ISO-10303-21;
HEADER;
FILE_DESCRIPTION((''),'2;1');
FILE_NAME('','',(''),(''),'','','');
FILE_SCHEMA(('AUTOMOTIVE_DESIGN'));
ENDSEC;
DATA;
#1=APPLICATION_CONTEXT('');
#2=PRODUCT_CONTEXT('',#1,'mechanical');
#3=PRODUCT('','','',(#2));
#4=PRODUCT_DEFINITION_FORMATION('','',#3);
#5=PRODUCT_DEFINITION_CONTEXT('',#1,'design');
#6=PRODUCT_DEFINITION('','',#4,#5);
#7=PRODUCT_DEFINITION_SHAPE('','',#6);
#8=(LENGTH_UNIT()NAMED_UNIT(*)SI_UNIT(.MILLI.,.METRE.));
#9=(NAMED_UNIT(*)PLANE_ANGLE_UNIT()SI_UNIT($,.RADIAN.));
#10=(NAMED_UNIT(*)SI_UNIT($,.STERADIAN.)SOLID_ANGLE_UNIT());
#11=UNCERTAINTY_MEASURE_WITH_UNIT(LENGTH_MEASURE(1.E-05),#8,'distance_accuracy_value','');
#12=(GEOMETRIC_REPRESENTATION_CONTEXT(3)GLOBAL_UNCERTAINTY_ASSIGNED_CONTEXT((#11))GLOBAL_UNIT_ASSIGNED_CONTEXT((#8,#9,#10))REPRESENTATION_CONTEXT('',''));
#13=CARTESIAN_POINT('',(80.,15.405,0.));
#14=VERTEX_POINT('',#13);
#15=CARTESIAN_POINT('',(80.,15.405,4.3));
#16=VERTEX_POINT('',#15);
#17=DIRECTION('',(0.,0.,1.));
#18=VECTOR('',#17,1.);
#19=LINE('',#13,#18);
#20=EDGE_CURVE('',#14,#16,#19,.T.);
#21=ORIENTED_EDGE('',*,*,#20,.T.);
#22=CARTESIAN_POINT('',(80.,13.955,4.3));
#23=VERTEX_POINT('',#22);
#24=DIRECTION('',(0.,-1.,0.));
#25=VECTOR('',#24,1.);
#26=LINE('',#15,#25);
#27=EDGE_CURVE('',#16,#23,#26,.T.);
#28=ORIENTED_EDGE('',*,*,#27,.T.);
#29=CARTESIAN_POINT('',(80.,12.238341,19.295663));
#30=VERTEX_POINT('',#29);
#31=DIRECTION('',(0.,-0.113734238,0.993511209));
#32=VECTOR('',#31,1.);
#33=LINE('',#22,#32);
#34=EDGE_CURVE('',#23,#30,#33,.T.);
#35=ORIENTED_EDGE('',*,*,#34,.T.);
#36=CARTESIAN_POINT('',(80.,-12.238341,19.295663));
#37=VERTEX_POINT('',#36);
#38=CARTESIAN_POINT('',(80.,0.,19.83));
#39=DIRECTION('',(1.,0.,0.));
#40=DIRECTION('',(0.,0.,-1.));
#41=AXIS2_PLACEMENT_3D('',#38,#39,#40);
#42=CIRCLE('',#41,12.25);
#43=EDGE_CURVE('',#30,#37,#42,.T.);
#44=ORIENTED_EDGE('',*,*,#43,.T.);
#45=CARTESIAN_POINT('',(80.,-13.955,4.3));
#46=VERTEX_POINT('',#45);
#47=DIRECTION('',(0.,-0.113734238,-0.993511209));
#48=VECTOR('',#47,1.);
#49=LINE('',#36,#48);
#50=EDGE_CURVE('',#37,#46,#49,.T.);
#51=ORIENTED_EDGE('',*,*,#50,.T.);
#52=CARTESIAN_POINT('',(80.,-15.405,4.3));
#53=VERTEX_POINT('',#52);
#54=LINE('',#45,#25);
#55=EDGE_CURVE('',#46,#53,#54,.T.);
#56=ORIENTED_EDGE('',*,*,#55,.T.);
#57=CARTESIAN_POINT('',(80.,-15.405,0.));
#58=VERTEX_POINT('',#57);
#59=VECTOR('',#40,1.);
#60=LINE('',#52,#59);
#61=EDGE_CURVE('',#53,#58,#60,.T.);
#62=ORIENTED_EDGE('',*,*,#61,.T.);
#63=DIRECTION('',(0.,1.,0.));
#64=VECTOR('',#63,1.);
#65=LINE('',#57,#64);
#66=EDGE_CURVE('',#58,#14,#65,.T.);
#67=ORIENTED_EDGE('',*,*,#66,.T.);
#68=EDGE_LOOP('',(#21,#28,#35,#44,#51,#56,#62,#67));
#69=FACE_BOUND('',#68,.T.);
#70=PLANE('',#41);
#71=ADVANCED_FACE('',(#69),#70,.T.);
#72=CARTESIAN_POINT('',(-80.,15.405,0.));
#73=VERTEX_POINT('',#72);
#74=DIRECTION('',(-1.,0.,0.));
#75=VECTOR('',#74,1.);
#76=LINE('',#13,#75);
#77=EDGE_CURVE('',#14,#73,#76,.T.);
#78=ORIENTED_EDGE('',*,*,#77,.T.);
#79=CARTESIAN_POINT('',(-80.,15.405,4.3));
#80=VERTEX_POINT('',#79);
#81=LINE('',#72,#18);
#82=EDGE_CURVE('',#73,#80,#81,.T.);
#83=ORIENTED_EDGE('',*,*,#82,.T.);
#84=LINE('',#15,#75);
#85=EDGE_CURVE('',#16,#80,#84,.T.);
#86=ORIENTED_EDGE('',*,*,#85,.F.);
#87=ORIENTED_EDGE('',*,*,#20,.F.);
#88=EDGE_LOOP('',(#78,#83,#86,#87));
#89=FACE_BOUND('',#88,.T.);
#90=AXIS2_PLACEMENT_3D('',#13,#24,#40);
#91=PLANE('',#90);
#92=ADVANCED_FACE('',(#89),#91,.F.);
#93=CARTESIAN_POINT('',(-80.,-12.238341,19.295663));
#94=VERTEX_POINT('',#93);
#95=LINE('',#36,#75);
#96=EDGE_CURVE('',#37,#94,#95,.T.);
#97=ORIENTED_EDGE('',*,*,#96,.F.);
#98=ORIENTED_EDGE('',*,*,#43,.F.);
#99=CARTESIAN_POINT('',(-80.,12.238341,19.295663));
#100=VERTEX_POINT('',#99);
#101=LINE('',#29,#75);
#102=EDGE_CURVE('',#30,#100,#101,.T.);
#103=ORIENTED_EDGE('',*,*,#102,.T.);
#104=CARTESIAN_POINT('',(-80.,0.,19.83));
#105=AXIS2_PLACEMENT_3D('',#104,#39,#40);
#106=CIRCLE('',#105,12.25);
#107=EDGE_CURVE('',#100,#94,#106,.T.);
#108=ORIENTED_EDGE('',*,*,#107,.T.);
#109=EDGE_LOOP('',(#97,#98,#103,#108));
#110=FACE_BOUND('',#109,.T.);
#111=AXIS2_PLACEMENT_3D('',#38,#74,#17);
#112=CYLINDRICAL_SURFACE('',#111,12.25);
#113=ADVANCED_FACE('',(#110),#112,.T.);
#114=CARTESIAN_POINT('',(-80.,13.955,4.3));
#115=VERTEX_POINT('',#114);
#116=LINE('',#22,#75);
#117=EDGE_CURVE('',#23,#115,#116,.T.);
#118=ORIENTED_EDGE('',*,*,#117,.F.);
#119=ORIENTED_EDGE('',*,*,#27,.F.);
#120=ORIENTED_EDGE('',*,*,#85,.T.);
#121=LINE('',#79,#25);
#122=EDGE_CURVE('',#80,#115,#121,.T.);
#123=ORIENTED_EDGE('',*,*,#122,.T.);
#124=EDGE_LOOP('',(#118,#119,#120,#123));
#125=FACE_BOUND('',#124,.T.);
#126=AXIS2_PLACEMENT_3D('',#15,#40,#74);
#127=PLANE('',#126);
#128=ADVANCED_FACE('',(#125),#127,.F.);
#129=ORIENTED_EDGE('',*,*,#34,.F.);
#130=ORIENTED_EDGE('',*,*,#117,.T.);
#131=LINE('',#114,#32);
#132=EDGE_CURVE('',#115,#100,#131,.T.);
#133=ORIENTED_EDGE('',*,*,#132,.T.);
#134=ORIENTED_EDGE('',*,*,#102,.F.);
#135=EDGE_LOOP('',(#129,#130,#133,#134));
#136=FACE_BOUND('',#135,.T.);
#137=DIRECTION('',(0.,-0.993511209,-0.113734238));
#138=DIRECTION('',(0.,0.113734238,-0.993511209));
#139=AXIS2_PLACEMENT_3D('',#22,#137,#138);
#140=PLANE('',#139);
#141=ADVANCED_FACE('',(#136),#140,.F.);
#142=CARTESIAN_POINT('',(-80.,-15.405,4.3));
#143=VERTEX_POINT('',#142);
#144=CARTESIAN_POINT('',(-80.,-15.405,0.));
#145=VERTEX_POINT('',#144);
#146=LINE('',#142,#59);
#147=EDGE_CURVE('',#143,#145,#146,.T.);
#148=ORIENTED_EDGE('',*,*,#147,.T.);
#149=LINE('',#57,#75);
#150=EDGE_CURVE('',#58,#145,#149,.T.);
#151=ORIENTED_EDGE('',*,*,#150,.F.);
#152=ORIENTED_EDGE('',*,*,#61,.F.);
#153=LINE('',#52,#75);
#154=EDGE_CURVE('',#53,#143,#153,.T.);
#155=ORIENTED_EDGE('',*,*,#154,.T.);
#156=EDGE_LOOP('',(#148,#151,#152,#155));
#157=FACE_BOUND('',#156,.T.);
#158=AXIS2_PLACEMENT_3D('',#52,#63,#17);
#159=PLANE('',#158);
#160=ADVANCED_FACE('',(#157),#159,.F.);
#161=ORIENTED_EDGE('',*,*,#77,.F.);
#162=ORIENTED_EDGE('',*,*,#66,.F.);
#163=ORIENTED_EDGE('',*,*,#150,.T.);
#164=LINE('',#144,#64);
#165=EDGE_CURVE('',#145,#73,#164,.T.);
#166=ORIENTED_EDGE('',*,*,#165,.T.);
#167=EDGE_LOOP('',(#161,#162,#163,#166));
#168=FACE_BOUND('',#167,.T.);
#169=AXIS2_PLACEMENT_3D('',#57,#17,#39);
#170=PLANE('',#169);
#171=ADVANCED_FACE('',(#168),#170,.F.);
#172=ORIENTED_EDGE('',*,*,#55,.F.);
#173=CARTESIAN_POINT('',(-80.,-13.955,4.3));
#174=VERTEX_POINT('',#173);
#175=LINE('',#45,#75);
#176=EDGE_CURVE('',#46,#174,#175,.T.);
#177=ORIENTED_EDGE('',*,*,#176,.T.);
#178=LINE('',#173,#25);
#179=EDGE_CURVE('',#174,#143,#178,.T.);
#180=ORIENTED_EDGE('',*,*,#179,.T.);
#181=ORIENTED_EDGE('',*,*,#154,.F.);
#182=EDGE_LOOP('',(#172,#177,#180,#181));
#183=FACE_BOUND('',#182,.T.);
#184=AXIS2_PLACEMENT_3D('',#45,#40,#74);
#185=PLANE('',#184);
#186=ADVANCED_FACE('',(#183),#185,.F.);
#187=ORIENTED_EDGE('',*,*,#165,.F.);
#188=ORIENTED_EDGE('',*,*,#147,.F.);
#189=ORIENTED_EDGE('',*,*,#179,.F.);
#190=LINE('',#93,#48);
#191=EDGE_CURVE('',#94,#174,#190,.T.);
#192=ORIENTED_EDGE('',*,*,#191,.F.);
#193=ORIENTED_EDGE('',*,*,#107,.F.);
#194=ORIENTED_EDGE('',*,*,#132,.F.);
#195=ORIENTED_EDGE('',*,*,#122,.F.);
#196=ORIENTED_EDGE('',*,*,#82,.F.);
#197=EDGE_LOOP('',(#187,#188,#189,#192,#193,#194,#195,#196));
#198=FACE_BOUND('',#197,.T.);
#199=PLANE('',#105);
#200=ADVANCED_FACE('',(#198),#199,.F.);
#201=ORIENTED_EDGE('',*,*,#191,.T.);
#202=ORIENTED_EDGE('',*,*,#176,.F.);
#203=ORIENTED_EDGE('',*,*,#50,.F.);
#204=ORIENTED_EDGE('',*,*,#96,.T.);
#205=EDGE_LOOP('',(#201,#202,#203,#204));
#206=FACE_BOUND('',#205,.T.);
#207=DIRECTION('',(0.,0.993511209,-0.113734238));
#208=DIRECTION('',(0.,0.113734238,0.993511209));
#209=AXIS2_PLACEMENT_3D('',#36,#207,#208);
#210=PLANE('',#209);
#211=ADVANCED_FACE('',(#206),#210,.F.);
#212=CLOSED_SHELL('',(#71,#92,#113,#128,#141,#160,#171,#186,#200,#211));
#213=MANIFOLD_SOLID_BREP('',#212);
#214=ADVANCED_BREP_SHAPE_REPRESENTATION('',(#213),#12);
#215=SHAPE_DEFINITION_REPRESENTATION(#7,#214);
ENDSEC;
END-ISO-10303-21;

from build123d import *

# Parameters (mm, degrees)
BOSS_EXTRUDE1_DEPTH = 80


with BuildPart() as part:
    # Sketch1 → Boss-Extrude1 (new, symmetric)
    with BuildSketch(Plane(origin=(0, 0, 0), x_dir=(0, 0, -1), z_dir=(1, 0, 0))):
        with BuildLine():
            Line((0, -15.405), (0, 15.405))
            Line((0, 15.405), (-4.3, 15.405))
            Line((-4.3, 15.405), (-4.3, 13.955))
            Line((-4.3, 13.955), (-19.295662505, 12.238340714))
            ThreePointArc((-19.295662505, 12.238340714), (-32.08, 0), (-19.295662505, -12.238340714))
            Line((-19.295662505, -12.238340714), (-4.3, -13.955))
            Line((-4.3, -13.955), (-4.3, -15.405))
            Line((-4.3, -15.405), (0, -15.405))
        make_face()
    extrude(amount=BOSS_EXTRUDE1_DEPTH, both=True)


solid = part.part
